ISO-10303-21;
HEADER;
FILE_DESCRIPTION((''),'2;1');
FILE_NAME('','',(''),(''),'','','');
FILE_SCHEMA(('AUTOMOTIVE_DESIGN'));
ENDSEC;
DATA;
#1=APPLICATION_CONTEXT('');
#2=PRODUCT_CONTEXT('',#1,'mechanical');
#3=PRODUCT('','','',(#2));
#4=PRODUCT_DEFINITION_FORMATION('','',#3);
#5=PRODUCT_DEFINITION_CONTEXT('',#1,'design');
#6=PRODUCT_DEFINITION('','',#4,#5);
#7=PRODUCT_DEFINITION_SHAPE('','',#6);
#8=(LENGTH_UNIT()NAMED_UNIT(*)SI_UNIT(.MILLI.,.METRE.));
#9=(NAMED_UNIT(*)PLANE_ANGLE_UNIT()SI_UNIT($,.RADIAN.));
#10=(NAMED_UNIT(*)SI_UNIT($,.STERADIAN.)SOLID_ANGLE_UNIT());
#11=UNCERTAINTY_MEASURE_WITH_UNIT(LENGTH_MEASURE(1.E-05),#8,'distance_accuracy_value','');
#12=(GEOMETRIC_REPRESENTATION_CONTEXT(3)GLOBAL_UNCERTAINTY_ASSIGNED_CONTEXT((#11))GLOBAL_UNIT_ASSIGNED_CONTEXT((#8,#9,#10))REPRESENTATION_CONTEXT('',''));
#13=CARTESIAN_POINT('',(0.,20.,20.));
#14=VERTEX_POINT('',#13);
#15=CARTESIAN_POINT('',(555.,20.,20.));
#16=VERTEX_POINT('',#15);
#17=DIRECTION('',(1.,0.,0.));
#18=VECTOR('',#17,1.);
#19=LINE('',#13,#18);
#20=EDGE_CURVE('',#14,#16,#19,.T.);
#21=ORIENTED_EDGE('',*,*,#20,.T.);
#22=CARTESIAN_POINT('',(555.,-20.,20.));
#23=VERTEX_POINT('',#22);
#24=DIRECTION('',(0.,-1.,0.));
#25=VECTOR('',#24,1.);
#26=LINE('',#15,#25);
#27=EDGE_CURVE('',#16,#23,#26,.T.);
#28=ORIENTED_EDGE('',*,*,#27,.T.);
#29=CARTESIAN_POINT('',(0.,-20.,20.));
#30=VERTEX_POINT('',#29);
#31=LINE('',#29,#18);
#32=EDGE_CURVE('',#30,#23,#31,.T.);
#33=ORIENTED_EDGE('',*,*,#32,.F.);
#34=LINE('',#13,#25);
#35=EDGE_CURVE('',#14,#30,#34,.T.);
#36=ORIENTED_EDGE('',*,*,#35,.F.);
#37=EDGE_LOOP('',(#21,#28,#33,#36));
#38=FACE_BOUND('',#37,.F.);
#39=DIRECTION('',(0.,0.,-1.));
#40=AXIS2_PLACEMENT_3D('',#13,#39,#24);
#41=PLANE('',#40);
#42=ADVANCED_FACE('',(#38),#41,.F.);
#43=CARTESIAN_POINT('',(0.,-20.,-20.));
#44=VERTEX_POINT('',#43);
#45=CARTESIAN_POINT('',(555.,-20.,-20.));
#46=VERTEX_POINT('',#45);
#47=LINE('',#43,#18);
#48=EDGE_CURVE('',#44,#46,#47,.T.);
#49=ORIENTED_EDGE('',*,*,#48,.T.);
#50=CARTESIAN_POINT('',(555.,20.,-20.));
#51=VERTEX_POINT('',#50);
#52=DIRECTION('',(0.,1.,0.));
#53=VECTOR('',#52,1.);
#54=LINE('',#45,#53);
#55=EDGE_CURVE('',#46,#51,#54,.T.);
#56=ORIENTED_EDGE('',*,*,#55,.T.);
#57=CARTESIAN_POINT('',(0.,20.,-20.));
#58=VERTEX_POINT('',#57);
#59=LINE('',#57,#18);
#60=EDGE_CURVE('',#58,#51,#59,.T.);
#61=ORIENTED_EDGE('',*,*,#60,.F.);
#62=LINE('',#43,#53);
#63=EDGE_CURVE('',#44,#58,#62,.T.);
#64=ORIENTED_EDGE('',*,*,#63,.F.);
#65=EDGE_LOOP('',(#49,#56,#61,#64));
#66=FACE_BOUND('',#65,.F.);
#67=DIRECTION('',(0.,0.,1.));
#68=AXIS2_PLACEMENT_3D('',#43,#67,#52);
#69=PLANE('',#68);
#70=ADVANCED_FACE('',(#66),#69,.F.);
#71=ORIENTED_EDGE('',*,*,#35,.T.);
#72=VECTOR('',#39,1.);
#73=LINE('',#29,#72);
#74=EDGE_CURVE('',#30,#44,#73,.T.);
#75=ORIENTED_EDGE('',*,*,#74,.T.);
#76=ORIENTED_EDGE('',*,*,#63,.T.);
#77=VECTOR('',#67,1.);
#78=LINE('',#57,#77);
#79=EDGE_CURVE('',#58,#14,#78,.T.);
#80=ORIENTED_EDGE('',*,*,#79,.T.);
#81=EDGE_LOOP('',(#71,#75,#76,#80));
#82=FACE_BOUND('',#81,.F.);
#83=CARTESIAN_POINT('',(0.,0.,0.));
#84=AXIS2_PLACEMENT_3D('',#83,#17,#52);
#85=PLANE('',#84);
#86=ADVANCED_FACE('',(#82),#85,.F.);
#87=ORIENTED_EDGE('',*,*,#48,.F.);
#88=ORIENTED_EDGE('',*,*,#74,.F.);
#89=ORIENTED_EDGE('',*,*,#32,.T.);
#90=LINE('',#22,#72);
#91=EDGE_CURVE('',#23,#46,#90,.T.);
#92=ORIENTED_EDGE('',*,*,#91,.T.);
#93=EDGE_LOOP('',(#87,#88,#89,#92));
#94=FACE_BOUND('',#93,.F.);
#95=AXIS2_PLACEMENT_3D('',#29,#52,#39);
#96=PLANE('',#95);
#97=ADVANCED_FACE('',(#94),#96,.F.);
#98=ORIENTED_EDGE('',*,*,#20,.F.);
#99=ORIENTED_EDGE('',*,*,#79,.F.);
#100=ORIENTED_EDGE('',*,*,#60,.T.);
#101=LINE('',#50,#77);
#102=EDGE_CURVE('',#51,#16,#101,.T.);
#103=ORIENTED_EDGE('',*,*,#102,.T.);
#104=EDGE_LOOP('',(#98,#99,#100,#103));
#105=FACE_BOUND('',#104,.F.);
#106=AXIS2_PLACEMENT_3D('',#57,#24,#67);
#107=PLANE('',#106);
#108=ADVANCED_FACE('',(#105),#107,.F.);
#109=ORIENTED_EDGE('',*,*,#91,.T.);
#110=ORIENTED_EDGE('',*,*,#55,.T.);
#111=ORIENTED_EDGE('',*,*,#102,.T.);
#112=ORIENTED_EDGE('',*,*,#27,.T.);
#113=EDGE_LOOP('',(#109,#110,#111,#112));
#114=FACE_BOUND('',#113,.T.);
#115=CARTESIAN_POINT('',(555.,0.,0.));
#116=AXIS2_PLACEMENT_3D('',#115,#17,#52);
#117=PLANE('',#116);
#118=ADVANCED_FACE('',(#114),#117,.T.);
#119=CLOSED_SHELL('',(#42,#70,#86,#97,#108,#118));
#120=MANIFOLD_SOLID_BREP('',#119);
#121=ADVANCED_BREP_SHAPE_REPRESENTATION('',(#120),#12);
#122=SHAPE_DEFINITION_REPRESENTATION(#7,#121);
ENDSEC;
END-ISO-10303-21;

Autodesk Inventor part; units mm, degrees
ref_plane "YZ Plane" through (0, 0, 0) normal (1, 0, 0) x (0, 1, 0)
ref_plane "XZ Plane" through (0, 0, 0) normal (0, 1, 0) x (-1, 0, 0)
ref_plane "XY Plane" through (0, 0, 0) normal (0, 0, 1) x (1, 0, 0)
sketch "Sketch1" plane through (0, 0, 0) normal (1, 0, 0) x (0, 1, 0)
  line L0 (20, 20) -> (-20, 20)
  line L1 (-20, 20) -> (-20, -20)
  line L2 (-20, -20) -> (20, -20)
  line L3 (20, -20) -> (20, 20)
  point P0 (0, 0)
  dimension "d0" = 40
  dimension "d1" = 20
  dimension "d2" = 20
extrude "Extrusion1" add sketch "Sketch1" along normal blind 555
equation "\"d1\" = 0.5 * d0"
equation "\"d2\" = d1"
properties part number "FRONT CROSS BAR"
